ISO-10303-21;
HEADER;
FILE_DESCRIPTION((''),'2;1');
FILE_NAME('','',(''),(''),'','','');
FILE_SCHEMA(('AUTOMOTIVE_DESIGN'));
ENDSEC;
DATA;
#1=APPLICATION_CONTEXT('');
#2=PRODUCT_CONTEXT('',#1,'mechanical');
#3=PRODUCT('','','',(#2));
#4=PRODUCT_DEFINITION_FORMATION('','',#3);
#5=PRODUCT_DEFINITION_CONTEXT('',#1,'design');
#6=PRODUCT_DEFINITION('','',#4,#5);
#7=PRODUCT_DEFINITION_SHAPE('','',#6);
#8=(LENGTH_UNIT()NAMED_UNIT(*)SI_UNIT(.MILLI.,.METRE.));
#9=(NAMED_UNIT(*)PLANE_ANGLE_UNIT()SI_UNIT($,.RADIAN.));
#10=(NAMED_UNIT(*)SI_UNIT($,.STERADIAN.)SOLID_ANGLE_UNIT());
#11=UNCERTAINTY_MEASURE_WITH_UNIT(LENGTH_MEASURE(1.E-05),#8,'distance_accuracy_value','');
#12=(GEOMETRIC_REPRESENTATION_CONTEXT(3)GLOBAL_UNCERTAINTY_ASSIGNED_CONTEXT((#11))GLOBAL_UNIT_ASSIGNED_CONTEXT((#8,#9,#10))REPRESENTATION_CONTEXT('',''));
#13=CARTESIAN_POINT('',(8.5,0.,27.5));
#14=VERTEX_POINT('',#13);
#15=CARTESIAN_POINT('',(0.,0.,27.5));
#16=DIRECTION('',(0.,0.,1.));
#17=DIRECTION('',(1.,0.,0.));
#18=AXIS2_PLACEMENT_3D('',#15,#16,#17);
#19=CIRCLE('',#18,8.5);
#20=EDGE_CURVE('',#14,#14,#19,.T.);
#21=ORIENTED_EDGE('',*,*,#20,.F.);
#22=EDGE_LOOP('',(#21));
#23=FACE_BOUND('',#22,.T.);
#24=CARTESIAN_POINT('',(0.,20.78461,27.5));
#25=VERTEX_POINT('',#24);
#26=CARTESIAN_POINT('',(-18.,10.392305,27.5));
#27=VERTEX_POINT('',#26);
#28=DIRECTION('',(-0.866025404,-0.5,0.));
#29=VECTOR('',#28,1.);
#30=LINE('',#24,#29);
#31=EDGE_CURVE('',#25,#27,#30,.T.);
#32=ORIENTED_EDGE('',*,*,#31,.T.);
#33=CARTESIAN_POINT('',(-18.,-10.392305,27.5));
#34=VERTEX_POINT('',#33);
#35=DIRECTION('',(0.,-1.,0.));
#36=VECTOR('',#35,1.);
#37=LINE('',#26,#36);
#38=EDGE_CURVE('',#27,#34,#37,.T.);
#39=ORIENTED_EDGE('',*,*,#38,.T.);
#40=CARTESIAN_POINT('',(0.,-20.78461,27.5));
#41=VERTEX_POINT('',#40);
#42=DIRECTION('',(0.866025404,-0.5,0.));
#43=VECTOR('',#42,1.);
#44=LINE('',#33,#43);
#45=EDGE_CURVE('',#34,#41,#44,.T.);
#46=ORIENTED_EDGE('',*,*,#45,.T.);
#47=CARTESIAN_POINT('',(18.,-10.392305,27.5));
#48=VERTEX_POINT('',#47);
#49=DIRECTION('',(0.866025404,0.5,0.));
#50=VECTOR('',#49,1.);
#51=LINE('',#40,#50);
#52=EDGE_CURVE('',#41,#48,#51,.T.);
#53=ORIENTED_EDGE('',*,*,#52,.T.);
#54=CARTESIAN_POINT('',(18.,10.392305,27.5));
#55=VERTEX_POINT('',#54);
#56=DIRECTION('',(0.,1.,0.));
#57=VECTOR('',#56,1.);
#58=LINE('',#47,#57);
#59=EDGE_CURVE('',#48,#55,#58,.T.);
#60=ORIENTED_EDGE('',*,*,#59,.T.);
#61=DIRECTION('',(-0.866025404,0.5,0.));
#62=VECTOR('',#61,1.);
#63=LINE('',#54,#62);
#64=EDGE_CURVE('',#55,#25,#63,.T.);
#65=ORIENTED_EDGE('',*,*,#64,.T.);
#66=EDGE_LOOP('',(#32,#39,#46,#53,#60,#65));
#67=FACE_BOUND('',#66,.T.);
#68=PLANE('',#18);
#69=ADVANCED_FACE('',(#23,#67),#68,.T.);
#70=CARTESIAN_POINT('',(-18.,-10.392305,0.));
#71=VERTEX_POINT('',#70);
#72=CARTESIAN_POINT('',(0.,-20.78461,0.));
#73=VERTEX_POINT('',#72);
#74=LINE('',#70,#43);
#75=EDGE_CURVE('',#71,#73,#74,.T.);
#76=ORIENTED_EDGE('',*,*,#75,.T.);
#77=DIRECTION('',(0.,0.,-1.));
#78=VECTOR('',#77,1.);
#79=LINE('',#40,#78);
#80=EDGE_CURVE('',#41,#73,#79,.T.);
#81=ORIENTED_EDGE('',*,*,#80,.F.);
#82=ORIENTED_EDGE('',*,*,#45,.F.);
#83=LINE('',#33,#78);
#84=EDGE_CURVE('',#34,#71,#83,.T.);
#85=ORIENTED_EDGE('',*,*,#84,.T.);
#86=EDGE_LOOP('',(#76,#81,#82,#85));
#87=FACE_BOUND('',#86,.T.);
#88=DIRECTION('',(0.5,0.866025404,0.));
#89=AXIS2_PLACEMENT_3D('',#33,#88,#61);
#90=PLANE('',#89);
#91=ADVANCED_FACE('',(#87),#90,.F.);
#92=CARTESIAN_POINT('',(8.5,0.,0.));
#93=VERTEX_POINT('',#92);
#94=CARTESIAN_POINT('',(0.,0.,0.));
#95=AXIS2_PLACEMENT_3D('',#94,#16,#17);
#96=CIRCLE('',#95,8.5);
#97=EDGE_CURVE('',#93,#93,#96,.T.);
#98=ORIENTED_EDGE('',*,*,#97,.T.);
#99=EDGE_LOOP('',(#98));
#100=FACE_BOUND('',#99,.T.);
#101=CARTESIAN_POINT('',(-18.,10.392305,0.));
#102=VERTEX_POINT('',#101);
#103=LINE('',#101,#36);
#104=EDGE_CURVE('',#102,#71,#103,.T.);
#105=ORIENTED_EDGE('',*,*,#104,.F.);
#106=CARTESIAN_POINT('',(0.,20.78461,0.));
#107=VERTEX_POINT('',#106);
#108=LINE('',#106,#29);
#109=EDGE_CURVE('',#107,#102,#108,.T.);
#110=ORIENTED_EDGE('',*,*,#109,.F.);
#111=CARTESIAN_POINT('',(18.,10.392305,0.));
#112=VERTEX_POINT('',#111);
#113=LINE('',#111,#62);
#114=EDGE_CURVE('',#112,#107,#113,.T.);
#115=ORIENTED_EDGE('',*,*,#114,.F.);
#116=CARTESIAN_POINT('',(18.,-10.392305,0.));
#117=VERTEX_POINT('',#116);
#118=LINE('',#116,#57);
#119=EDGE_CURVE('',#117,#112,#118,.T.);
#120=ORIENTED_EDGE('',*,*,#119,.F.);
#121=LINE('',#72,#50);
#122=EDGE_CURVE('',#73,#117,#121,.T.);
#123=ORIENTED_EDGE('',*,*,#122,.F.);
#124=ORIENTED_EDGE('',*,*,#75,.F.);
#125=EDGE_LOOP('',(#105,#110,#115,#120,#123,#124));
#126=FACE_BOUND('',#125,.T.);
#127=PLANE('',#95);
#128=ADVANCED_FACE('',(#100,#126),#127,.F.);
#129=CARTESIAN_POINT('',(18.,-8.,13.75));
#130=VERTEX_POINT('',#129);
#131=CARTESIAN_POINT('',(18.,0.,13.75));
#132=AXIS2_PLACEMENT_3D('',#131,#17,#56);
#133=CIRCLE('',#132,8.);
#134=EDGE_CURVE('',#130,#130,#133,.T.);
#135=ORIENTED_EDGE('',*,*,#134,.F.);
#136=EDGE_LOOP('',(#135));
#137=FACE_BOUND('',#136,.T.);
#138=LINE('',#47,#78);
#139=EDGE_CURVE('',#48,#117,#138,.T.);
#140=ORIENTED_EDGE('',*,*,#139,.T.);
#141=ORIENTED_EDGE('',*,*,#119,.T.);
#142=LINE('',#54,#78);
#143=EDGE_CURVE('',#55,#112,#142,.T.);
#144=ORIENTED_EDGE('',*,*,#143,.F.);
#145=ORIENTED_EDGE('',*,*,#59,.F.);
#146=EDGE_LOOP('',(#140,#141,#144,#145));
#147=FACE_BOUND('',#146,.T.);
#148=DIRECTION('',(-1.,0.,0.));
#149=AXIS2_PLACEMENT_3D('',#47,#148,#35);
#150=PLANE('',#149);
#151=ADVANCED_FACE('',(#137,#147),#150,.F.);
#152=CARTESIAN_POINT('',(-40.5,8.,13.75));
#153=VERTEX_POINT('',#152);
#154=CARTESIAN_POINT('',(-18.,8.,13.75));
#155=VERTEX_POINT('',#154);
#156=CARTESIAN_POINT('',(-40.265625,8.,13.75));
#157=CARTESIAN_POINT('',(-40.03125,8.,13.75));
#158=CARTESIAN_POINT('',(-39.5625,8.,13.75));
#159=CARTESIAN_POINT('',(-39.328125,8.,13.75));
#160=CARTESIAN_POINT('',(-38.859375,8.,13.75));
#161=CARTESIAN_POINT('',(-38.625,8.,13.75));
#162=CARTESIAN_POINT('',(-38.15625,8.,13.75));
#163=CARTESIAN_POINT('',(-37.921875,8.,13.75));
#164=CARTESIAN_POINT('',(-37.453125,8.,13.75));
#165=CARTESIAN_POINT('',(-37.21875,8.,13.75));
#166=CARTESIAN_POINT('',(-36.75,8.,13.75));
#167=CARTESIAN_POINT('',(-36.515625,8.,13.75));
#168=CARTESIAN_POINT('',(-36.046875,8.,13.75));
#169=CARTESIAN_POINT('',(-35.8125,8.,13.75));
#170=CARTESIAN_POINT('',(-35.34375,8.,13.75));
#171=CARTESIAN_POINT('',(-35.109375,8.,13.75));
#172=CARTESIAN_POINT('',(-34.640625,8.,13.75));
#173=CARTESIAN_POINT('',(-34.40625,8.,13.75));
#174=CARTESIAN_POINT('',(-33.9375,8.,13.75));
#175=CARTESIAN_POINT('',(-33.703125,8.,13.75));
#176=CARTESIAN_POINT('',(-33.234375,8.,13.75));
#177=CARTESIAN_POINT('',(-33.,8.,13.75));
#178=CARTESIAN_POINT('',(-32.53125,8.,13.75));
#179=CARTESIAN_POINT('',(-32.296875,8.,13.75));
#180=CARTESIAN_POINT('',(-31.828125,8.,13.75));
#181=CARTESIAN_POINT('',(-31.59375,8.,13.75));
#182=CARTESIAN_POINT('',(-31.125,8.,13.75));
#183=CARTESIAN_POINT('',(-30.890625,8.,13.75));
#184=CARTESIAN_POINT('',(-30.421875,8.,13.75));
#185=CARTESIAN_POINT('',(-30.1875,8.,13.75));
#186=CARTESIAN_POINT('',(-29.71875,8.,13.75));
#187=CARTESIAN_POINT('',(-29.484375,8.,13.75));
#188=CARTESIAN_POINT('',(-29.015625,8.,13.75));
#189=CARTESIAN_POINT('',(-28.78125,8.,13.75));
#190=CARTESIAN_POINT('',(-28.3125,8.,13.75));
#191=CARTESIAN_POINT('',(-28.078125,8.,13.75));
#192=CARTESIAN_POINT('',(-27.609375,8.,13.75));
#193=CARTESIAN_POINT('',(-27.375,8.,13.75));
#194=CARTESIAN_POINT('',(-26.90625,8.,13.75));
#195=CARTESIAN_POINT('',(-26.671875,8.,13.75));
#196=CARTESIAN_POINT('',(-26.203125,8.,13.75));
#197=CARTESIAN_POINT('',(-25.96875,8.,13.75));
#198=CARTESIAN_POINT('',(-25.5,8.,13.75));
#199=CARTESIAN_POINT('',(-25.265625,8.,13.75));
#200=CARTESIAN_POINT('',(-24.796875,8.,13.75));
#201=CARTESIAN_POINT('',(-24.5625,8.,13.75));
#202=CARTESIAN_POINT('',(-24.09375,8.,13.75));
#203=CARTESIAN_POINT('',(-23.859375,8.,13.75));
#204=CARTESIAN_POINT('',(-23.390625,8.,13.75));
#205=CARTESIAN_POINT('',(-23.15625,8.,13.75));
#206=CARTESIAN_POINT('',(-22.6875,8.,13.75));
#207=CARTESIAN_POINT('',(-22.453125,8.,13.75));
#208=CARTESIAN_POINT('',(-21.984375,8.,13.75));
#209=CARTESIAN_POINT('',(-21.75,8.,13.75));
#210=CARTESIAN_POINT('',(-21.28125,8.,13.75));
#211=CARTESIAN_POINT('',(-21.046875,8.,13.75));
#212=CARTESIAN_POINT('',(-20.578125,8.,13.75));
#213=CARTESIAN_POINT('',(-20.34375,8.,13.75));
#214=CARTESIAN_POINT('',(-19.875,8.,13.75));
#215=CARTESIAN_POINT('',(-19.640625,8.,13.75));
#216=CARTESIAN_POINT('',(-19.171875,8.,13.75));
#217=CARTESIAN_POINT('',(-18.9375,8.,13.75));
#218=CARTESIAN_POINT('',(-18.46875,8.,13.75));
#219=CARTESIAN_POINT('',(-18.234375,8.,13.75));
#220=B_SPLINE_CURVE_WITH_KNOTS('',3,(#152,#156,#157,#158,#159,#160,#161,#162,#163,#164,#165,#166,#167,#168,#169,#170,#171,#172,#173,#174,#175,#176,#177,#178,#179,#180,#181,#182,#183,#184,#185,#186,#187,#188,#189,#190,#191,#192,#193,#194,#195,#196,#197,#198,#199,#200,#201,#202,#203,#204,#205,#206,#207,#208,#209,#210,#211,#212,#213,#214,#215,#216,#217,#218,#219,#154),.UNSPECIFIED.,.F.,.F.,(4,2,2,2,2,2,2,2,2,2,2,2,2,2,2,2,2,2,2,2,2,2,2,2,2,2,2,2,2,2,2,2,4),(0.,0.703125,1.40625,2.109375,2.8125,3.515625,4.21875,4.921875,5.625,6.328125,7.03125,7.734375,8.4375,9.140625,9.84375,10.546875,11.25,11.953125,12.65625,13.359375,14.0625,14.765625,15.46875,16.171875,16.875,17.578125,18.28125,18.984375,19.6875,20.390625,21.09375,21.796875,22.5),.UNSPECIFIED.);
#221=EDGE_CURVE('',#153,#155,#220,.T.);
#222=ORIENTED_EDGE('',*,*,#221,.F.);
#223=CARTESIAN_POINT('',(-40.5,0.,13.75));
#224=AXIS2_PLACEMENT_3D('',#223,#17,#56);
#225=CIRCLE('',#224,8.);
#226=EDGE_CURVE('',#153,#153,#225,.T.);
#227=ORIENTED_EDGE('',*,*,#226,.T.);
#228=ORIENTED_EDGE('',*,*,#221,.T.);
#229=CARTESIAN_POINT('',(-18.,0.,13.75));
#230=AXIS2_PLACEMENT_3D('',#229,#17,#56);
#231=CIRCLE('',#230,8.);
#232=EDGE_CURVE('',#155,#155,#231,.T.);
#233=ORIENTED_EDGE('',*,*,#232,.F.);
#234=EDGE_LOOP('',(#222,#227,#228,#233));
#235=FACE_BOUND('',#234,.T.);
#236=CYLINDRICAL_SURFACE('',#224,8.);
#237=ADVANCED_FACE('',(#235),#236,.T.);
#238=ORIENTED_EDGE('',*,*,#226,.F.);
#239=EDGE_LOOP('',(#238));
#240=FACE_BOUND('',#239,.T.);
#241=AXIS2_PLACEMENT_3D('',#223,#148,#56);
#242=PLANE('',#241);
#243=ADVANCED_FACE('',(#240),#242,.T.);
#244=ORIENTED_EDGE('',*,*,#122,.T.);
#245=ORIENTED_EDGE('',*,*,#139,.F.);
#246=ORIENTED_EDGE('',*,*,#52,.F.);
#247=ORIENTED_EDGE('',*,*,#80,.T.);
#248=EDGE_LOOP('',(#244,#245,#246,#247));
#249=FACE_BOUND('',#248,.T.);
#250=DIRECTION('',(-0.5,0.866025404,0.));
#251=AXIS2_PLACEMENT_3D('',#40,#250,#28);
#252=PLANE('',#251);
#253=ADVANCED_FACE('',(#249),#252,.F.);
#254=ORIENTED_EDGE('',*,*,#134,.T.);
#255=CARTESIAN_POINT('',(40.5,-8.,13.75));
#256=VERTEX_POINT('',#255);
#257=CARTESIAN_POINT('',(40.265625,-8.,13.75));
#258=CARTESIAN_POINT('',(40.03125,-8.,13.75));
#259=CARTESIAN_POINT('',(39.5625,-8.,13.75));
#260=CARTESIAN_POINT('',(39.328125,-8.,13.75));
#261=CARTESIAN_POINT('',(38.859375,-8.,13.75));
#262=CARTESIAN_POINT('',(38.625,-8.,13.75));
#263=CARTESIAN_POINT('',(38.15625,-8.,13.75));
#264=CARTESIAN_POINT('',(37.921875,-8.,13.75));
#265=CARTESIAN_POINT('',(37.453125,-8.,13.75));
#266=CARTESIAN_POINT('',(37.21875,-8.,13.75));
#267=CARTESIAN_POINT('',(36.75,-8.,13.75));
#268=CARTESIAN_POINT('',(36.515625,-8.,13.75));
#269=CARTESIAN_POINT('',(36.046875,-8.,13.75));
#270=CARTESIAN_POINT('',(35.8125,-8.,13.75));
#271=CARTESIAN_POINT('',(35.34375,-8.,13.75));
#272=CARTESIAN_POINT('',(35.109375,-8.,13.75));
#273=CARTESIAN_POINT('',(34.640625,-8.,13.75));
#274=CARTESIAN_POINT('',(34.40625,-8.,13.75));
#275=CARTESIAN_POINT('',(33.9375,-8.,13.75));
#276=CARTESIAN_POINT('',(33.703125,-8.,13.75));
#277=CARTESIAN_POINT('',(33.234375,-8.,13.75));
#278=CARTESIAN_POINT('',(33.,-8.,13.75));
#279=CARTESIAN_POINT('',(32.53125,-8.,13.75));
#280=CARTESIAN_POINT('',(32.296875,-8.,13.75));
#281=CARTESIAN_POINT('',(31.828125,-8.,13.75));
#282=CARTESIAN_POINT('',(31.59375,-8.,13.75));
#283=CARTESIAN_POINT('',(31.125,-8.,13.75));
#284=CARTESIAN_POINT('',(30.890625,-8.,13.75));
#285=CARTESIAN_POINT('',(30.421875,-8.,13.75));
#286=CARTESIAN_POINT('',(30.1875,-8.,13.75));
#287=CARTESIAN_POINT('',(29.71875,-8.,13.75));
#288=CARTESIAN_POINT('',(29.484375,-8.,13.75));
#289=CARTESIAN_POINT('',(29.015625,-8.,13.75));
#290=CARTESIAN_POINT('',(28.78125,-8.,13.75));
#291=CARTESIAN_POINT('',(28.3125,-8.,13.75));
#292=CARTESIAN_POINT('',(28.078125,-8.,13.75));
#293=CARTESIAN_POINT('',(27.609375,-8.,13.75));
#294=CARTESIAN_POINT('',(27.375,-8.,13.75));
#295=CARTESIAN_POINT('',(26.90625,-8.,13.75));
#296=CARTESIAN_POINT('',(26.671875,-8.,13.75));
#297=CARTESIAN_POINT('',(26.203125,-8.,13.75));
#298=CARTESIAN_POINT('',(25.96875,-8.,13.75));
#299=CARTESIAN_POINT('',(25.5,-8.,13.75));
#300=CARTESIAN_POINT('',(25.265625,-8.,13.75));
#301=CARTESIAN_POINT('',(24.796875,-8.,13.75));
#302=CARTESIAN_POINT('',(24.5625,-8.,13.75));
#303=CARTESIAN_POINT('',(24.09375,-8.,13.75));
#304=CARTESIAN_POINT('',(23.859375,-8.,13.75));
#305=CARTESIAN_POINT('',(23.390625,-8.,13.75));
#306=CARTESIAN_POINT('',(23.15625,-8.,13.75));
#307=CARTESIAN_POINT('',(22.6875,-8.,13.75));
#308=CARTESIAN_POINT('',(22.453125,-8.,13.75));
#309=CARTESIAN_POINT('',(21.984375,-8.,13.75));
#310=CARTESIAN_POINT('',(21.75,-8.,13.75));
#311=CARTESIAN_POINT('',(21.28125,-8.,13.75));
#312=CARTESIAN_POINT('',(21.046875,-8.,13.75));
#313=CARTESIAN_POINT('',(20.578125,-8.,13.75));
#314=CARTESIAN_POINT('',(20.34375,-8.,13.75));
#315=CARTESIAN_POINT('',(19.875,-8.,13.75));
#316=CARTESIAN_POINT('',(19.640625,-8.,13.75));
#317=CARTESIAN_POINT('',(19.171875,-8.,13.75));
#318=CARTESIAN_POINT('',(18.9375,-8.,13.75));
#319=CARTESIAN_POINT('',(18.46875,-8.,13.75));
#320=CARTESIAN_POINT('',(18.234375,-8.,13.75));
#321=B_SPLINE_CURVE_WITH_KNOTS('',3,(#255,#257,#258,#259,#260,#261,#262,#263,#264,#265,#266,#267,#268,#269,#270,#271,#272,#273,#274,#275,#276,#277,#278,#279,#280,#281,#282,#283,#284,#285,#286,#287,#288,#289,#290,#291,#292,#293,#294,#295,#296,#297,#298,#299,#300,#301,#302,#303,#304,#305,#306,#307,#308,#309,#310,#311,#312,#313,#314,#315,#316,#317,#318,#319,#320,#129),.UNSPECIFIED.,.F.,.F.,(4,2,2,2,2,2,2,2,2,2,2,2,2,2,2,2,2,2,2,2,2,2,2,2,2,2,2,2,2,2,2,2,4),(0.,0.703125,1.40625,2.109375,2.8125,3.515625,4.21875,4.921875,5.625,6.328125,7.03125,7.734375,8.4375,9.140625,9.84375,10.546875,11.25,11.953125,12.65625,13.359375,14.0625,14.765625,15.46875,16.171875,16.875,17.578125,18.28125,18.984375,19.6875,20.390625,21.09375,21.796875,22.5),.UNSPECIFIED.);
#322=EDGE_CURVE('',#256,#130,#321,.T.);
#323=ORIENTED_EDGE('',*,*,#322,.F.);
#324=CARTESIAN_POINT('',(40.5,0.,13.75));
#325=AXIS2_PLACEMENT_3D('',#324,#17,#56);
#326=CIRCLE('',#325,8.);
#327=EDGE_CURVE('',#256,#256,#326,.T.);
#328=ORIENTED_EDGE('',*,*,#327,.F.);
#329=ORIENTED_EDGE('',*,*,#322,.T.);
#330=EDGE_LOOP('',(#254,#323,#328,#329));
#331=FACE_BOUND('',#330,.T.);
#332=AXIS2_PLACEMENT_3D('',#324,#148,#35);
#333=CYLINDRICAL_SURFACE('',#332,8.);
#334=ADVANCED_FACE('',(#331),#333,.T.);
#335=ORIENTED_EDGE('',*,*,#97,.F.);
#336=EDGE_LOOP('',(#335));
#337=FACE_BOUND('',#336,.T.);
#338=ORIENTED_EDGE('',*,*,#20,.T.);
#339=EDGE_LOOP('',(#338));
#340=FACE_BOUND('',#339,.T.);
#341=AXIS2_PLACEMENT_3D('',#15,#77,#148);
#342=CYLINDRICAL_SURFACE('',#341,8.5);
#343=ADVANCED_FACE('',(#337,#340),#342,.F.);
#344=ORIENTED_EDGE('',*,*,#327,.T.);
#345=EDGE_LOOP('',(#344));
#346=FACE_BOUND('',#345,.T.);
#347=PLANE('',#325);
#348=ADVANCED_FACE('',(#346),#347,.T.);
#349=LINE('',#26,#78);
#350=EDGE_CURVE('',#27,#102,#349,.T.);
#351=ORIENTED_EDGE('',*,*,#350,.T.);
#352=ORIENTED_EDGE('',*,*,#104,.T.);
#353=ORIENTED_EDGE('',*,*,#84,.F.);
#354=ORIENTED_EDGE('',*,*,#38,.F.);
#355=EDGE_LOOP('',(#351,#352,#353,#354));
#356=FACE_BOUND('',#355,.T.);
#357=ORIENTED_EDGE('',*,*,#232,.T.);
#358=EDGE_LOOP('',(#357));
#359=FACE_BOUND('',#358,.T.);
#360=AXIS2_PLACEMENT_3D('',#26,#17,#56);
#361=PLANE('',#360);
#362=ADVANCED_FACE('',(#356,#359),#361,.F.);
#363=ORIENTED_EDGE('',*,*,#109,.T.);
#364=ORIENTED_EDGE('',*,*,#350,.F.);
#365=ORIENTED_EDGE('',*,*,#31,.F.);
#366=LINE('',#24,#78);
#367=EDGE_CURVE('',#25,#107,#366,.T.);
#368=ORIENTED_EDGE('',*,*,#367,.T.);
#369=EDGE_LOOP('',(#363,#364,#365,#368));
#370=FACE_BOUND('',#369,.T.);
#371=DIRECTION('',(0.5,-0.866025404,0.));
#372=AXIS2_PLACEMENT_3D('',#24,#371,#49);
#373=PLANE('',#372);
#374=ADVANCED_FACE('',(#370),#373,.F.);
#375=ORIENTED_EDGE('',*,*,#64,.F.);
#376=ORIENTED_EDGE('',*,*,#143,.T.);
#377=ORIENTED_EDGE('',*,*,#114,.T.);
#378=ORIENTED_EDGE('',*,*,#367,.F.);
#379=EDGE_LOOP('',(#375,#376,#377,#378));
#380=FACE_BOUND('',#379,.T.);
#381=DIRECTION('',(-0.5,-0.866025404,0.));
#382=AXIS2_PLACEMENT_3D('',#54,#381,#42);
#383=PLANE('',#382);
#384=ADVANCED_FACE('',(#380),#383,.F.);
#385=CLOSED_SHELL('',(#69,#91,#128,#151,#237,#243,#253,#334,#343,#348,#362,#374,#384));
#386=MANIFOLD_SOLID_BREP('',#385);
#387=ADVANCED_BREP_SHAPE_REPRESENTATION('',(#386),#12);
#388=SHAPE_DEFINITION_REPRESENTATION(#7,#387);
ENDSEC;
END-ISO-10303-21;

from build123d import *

# Parameters (mm, degrees)
IZIM1_R                     = 8.5
Y_KSEKLIK_EKSTR_ZYON1_DEPTH = 27.5
IZIM2_R                     = 8
Y_KSEKLIK_EKSTR_ZYON3_DEPTH = 22.5


with BuildPart() as part:
    # Çizim1 → Yükseklik-Ekstrüzyon1 (new body)
    with BuildSketch(Plane.XY):
        Polygon((0, 20.784609691), (-18, 10.392304845), (-18, -10.392304845), (0, -20.784609691), (18, -10.392304845), (18, 10.392304845), align=None)
        Circle(IZIM1_R, mode=Mode.SUBTRACT)
    extrude(amount=Y_KSEKLIK_EKSTR_ZYON1_DEPTH)

    # Çizim2 → Yükseklik-Ekstrüzyon3 (add)
    with BuildSketch(Plane(origin=(18, 0, 0), x_dir=(0, 0, -1), z_dir=(1, 0, 0))):
        with Locations(Location((-13.75, 0, 0), (0, 0, 270))):
            Circle(IZIM2_R)
    y_kseklik_ekstr_zyon3 = extrude(amount=Y_KSEKLIK_EKSTR_ZYON3_DEPTH)

    # Aynalama1: Yükseklik-Ekstrüzyon3 across plane
    add(y_kseklik_ekstr_zyon3.mirror(Plane(origin=(0, 0, 0), x_dir=(0, 0, 1), z_dir=(1, 0, 0))))


solid = part.part
